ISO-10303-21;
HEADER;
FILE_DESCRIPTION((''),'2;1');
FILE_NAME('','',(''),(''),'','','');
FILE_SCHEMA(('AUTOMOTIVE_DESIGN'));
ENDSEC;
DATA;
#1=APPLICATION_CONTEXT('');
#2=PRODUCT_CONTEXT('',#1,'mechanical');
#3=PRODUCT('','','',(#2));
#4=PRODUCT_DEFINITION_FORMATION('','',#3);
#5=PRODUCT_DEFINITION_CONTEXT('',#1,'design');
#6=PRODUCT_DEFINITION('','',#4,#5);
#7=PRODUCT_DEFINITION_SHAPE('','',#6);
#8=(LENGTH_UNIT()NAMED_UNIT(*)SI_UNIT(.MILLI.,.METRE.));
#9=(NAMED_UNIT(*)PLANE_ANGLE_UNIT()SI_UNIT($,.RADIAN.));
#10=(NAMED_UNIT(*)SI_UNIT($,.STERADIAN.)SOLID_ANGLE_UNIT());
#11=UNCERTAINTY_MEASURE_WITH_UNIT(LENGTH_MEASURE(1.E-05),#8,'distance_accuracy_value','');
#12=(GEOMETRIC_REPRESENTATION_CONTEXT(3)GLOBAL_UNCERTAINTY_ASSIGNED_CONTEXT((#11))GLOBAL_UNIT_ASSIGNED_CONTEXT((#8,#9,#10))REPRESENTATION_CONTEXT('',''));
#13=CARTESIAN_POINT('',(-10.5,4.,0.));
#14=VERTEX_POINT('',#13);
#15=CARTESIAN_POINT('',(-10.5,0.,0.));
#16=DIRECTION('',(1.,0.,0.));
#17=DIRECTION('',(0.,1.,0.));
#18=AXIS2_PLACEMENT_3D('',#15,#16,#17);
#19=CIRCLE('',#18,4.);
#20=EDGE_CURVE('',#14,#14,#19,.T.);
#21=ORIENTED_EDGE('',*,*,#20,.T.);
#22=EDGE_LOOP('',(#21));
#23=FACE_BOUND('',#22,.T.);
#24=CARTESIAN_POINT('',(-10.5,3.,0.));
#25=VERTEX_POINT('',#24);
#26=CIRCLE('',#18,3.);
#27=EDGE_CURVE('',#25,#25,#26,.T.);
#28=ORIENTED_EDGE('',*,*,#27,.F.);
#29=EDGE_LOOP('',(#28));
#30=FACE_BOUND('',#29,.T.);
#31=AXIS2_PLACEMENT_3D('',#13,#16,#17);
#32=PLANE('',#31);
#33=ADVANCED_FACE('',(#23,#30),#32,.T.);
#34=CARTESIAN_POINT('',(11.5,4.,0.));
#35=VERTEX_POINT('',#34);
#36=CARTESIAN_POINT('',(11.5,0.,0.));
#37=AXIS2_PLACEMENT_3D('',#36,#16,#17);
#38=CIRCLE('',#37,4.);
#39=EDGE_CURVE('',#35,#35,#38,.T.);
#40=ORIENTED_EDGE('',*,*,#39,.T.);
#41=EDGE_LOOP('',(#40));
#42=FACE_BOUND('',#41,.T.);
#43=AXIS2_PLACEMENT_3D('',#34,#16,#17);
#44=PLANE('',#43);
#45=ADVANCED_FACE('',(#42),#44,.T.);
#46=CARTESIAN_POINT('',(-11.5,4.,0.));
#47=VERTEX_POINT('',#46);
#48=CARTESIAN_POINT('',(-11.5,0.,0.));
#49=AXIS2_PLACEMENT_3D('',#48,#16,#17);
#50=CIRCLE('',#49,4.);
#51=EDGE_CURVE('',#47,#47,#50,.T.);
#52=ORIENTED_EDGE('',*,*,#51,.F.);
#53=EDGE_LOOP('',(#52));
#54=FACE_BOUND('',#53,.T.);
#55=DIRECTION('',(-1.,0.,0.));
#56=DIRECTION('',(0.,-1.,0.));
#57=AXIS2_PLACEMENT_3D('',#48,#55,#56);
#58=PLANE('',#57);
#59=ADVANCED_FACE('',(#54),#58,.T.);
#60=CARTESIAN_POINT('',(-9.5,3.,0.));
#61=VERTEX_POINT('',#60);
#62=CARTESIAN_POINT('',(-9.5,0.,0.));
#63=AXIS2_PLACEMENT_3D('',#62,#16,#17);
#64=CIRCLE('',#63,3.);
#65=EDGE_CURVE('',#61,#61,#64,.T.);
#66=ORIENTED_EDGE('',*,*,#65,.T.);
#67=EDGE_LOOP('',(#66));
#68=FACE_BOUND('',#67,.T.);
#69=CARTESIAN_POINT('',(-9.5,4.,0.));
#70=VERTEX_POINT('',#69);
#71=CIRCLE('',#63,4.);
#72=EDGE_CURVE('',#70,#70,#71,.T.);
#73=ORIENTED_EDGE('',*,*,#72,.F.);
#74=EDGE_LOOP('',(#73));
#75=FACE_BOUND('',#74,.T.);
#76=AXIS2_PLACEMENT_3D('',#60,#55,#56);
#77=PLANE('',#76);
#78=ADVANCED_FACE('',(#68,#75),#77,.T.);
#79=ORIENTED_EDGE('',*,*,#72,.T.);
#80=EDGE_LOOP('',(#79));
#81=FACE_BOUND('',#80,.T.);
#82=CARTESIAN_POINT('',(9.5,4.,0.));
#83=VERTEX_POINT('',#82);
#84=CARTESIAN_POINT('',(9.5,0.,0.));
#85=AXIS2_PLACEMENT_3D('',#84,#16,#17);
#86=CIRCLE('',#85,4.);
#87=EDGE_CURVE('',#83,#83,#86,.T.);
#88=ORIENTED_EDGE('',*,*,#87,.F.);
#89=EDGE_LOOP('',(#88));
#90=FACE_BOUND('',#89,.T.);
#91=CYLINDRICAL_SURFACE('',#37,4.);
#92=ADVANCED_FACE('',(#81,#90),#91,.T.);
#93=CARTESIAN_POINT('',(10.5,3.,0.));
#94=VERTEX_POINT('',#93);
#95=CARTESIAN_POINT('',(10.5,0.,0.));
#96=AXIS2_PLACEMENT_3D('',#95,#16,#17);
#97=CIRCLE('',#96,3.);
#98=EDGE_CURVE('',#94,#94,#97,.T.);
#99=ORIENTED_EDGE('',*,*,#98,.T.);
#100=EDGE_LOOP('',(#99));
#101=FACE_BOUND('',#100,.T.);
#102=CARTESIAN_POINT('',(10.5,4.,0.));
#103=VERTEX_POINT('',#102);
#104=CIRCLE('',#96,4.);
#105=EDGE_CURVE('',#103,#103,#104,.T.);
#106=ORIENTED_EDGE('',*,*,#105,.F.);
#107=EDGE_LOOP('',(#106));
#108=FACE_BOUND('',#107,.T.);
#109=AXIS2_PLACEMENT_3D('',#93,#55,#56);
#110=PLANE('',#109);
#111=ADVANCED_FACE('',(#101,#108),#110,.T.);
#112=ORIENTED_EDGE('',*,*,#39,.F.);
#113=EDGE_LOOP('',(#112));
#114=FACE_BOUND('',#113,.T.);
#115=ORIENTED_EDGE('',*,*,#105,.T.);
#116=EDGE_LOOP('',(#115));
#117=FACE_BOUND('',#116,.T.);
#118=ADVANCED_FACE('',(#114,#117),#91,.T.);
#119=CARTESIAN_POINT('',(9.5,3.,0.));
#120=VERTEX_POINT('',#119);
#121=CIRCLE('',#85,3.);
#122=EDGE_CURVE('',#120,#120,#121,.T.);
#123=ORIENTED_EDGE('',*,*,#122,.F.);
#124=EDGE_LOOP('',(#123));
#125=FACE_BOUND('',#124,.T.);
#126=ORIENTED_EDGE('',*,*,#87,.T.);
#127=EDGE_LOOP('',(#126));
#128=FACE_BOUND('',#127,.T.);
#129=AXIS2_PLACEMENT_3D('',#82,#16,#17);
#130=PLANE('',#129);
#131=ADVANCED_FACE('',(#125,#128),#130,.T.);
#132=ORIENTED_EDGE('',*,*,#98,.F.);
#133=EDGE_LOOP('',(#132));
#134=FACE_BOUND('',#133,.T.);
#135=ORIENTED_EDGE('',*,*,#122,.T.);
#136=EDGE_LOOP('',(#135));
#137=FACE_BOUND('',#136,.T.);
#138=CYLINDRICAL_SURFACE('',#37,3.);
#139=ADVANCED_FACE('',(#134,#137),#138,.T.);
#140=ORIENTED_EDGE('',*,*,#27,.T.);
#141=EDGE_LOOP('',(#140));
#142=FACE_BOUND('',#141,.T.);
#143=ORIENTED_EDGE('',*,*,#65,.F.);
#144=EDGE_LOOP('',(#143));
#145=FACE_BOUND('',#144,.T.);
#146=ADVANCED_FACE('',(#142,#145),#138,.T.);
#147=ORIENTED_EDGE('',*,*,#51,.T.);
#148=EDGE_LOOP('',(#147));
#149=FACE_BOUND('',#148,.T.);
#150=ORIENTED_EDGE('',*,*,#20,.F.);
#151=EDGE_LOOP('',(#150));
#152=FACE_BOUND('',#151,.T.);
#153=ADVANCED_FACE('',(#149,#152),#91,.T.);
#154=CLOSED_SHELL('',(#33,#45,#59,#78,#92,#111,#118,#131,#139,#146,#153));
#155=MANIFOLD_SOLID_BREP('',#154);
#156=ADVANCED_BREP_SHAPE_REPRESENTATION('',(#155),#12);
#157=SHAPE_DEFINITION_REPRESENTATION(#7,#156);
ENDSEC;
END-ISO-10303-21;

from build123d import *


with BuildPart() as part:
    # Esquisse1 → Révolution1 (revolve)
    with BuildSketch(Plane.XY):
        Polygon((-11.5, 0), (-11.5, 4), (-10.5, 4), (-10.5, 3), (-9.5, 3), (-9.5, 4), (9.5, 4), (9.5, 3), (10.5, 3), (10.5, 4), (11.5, 4), (11.5, 0), align=None)
    revolve(axis=Axis((11.5, 0, 0), (-1, 0, 0)))


solid = part.part
